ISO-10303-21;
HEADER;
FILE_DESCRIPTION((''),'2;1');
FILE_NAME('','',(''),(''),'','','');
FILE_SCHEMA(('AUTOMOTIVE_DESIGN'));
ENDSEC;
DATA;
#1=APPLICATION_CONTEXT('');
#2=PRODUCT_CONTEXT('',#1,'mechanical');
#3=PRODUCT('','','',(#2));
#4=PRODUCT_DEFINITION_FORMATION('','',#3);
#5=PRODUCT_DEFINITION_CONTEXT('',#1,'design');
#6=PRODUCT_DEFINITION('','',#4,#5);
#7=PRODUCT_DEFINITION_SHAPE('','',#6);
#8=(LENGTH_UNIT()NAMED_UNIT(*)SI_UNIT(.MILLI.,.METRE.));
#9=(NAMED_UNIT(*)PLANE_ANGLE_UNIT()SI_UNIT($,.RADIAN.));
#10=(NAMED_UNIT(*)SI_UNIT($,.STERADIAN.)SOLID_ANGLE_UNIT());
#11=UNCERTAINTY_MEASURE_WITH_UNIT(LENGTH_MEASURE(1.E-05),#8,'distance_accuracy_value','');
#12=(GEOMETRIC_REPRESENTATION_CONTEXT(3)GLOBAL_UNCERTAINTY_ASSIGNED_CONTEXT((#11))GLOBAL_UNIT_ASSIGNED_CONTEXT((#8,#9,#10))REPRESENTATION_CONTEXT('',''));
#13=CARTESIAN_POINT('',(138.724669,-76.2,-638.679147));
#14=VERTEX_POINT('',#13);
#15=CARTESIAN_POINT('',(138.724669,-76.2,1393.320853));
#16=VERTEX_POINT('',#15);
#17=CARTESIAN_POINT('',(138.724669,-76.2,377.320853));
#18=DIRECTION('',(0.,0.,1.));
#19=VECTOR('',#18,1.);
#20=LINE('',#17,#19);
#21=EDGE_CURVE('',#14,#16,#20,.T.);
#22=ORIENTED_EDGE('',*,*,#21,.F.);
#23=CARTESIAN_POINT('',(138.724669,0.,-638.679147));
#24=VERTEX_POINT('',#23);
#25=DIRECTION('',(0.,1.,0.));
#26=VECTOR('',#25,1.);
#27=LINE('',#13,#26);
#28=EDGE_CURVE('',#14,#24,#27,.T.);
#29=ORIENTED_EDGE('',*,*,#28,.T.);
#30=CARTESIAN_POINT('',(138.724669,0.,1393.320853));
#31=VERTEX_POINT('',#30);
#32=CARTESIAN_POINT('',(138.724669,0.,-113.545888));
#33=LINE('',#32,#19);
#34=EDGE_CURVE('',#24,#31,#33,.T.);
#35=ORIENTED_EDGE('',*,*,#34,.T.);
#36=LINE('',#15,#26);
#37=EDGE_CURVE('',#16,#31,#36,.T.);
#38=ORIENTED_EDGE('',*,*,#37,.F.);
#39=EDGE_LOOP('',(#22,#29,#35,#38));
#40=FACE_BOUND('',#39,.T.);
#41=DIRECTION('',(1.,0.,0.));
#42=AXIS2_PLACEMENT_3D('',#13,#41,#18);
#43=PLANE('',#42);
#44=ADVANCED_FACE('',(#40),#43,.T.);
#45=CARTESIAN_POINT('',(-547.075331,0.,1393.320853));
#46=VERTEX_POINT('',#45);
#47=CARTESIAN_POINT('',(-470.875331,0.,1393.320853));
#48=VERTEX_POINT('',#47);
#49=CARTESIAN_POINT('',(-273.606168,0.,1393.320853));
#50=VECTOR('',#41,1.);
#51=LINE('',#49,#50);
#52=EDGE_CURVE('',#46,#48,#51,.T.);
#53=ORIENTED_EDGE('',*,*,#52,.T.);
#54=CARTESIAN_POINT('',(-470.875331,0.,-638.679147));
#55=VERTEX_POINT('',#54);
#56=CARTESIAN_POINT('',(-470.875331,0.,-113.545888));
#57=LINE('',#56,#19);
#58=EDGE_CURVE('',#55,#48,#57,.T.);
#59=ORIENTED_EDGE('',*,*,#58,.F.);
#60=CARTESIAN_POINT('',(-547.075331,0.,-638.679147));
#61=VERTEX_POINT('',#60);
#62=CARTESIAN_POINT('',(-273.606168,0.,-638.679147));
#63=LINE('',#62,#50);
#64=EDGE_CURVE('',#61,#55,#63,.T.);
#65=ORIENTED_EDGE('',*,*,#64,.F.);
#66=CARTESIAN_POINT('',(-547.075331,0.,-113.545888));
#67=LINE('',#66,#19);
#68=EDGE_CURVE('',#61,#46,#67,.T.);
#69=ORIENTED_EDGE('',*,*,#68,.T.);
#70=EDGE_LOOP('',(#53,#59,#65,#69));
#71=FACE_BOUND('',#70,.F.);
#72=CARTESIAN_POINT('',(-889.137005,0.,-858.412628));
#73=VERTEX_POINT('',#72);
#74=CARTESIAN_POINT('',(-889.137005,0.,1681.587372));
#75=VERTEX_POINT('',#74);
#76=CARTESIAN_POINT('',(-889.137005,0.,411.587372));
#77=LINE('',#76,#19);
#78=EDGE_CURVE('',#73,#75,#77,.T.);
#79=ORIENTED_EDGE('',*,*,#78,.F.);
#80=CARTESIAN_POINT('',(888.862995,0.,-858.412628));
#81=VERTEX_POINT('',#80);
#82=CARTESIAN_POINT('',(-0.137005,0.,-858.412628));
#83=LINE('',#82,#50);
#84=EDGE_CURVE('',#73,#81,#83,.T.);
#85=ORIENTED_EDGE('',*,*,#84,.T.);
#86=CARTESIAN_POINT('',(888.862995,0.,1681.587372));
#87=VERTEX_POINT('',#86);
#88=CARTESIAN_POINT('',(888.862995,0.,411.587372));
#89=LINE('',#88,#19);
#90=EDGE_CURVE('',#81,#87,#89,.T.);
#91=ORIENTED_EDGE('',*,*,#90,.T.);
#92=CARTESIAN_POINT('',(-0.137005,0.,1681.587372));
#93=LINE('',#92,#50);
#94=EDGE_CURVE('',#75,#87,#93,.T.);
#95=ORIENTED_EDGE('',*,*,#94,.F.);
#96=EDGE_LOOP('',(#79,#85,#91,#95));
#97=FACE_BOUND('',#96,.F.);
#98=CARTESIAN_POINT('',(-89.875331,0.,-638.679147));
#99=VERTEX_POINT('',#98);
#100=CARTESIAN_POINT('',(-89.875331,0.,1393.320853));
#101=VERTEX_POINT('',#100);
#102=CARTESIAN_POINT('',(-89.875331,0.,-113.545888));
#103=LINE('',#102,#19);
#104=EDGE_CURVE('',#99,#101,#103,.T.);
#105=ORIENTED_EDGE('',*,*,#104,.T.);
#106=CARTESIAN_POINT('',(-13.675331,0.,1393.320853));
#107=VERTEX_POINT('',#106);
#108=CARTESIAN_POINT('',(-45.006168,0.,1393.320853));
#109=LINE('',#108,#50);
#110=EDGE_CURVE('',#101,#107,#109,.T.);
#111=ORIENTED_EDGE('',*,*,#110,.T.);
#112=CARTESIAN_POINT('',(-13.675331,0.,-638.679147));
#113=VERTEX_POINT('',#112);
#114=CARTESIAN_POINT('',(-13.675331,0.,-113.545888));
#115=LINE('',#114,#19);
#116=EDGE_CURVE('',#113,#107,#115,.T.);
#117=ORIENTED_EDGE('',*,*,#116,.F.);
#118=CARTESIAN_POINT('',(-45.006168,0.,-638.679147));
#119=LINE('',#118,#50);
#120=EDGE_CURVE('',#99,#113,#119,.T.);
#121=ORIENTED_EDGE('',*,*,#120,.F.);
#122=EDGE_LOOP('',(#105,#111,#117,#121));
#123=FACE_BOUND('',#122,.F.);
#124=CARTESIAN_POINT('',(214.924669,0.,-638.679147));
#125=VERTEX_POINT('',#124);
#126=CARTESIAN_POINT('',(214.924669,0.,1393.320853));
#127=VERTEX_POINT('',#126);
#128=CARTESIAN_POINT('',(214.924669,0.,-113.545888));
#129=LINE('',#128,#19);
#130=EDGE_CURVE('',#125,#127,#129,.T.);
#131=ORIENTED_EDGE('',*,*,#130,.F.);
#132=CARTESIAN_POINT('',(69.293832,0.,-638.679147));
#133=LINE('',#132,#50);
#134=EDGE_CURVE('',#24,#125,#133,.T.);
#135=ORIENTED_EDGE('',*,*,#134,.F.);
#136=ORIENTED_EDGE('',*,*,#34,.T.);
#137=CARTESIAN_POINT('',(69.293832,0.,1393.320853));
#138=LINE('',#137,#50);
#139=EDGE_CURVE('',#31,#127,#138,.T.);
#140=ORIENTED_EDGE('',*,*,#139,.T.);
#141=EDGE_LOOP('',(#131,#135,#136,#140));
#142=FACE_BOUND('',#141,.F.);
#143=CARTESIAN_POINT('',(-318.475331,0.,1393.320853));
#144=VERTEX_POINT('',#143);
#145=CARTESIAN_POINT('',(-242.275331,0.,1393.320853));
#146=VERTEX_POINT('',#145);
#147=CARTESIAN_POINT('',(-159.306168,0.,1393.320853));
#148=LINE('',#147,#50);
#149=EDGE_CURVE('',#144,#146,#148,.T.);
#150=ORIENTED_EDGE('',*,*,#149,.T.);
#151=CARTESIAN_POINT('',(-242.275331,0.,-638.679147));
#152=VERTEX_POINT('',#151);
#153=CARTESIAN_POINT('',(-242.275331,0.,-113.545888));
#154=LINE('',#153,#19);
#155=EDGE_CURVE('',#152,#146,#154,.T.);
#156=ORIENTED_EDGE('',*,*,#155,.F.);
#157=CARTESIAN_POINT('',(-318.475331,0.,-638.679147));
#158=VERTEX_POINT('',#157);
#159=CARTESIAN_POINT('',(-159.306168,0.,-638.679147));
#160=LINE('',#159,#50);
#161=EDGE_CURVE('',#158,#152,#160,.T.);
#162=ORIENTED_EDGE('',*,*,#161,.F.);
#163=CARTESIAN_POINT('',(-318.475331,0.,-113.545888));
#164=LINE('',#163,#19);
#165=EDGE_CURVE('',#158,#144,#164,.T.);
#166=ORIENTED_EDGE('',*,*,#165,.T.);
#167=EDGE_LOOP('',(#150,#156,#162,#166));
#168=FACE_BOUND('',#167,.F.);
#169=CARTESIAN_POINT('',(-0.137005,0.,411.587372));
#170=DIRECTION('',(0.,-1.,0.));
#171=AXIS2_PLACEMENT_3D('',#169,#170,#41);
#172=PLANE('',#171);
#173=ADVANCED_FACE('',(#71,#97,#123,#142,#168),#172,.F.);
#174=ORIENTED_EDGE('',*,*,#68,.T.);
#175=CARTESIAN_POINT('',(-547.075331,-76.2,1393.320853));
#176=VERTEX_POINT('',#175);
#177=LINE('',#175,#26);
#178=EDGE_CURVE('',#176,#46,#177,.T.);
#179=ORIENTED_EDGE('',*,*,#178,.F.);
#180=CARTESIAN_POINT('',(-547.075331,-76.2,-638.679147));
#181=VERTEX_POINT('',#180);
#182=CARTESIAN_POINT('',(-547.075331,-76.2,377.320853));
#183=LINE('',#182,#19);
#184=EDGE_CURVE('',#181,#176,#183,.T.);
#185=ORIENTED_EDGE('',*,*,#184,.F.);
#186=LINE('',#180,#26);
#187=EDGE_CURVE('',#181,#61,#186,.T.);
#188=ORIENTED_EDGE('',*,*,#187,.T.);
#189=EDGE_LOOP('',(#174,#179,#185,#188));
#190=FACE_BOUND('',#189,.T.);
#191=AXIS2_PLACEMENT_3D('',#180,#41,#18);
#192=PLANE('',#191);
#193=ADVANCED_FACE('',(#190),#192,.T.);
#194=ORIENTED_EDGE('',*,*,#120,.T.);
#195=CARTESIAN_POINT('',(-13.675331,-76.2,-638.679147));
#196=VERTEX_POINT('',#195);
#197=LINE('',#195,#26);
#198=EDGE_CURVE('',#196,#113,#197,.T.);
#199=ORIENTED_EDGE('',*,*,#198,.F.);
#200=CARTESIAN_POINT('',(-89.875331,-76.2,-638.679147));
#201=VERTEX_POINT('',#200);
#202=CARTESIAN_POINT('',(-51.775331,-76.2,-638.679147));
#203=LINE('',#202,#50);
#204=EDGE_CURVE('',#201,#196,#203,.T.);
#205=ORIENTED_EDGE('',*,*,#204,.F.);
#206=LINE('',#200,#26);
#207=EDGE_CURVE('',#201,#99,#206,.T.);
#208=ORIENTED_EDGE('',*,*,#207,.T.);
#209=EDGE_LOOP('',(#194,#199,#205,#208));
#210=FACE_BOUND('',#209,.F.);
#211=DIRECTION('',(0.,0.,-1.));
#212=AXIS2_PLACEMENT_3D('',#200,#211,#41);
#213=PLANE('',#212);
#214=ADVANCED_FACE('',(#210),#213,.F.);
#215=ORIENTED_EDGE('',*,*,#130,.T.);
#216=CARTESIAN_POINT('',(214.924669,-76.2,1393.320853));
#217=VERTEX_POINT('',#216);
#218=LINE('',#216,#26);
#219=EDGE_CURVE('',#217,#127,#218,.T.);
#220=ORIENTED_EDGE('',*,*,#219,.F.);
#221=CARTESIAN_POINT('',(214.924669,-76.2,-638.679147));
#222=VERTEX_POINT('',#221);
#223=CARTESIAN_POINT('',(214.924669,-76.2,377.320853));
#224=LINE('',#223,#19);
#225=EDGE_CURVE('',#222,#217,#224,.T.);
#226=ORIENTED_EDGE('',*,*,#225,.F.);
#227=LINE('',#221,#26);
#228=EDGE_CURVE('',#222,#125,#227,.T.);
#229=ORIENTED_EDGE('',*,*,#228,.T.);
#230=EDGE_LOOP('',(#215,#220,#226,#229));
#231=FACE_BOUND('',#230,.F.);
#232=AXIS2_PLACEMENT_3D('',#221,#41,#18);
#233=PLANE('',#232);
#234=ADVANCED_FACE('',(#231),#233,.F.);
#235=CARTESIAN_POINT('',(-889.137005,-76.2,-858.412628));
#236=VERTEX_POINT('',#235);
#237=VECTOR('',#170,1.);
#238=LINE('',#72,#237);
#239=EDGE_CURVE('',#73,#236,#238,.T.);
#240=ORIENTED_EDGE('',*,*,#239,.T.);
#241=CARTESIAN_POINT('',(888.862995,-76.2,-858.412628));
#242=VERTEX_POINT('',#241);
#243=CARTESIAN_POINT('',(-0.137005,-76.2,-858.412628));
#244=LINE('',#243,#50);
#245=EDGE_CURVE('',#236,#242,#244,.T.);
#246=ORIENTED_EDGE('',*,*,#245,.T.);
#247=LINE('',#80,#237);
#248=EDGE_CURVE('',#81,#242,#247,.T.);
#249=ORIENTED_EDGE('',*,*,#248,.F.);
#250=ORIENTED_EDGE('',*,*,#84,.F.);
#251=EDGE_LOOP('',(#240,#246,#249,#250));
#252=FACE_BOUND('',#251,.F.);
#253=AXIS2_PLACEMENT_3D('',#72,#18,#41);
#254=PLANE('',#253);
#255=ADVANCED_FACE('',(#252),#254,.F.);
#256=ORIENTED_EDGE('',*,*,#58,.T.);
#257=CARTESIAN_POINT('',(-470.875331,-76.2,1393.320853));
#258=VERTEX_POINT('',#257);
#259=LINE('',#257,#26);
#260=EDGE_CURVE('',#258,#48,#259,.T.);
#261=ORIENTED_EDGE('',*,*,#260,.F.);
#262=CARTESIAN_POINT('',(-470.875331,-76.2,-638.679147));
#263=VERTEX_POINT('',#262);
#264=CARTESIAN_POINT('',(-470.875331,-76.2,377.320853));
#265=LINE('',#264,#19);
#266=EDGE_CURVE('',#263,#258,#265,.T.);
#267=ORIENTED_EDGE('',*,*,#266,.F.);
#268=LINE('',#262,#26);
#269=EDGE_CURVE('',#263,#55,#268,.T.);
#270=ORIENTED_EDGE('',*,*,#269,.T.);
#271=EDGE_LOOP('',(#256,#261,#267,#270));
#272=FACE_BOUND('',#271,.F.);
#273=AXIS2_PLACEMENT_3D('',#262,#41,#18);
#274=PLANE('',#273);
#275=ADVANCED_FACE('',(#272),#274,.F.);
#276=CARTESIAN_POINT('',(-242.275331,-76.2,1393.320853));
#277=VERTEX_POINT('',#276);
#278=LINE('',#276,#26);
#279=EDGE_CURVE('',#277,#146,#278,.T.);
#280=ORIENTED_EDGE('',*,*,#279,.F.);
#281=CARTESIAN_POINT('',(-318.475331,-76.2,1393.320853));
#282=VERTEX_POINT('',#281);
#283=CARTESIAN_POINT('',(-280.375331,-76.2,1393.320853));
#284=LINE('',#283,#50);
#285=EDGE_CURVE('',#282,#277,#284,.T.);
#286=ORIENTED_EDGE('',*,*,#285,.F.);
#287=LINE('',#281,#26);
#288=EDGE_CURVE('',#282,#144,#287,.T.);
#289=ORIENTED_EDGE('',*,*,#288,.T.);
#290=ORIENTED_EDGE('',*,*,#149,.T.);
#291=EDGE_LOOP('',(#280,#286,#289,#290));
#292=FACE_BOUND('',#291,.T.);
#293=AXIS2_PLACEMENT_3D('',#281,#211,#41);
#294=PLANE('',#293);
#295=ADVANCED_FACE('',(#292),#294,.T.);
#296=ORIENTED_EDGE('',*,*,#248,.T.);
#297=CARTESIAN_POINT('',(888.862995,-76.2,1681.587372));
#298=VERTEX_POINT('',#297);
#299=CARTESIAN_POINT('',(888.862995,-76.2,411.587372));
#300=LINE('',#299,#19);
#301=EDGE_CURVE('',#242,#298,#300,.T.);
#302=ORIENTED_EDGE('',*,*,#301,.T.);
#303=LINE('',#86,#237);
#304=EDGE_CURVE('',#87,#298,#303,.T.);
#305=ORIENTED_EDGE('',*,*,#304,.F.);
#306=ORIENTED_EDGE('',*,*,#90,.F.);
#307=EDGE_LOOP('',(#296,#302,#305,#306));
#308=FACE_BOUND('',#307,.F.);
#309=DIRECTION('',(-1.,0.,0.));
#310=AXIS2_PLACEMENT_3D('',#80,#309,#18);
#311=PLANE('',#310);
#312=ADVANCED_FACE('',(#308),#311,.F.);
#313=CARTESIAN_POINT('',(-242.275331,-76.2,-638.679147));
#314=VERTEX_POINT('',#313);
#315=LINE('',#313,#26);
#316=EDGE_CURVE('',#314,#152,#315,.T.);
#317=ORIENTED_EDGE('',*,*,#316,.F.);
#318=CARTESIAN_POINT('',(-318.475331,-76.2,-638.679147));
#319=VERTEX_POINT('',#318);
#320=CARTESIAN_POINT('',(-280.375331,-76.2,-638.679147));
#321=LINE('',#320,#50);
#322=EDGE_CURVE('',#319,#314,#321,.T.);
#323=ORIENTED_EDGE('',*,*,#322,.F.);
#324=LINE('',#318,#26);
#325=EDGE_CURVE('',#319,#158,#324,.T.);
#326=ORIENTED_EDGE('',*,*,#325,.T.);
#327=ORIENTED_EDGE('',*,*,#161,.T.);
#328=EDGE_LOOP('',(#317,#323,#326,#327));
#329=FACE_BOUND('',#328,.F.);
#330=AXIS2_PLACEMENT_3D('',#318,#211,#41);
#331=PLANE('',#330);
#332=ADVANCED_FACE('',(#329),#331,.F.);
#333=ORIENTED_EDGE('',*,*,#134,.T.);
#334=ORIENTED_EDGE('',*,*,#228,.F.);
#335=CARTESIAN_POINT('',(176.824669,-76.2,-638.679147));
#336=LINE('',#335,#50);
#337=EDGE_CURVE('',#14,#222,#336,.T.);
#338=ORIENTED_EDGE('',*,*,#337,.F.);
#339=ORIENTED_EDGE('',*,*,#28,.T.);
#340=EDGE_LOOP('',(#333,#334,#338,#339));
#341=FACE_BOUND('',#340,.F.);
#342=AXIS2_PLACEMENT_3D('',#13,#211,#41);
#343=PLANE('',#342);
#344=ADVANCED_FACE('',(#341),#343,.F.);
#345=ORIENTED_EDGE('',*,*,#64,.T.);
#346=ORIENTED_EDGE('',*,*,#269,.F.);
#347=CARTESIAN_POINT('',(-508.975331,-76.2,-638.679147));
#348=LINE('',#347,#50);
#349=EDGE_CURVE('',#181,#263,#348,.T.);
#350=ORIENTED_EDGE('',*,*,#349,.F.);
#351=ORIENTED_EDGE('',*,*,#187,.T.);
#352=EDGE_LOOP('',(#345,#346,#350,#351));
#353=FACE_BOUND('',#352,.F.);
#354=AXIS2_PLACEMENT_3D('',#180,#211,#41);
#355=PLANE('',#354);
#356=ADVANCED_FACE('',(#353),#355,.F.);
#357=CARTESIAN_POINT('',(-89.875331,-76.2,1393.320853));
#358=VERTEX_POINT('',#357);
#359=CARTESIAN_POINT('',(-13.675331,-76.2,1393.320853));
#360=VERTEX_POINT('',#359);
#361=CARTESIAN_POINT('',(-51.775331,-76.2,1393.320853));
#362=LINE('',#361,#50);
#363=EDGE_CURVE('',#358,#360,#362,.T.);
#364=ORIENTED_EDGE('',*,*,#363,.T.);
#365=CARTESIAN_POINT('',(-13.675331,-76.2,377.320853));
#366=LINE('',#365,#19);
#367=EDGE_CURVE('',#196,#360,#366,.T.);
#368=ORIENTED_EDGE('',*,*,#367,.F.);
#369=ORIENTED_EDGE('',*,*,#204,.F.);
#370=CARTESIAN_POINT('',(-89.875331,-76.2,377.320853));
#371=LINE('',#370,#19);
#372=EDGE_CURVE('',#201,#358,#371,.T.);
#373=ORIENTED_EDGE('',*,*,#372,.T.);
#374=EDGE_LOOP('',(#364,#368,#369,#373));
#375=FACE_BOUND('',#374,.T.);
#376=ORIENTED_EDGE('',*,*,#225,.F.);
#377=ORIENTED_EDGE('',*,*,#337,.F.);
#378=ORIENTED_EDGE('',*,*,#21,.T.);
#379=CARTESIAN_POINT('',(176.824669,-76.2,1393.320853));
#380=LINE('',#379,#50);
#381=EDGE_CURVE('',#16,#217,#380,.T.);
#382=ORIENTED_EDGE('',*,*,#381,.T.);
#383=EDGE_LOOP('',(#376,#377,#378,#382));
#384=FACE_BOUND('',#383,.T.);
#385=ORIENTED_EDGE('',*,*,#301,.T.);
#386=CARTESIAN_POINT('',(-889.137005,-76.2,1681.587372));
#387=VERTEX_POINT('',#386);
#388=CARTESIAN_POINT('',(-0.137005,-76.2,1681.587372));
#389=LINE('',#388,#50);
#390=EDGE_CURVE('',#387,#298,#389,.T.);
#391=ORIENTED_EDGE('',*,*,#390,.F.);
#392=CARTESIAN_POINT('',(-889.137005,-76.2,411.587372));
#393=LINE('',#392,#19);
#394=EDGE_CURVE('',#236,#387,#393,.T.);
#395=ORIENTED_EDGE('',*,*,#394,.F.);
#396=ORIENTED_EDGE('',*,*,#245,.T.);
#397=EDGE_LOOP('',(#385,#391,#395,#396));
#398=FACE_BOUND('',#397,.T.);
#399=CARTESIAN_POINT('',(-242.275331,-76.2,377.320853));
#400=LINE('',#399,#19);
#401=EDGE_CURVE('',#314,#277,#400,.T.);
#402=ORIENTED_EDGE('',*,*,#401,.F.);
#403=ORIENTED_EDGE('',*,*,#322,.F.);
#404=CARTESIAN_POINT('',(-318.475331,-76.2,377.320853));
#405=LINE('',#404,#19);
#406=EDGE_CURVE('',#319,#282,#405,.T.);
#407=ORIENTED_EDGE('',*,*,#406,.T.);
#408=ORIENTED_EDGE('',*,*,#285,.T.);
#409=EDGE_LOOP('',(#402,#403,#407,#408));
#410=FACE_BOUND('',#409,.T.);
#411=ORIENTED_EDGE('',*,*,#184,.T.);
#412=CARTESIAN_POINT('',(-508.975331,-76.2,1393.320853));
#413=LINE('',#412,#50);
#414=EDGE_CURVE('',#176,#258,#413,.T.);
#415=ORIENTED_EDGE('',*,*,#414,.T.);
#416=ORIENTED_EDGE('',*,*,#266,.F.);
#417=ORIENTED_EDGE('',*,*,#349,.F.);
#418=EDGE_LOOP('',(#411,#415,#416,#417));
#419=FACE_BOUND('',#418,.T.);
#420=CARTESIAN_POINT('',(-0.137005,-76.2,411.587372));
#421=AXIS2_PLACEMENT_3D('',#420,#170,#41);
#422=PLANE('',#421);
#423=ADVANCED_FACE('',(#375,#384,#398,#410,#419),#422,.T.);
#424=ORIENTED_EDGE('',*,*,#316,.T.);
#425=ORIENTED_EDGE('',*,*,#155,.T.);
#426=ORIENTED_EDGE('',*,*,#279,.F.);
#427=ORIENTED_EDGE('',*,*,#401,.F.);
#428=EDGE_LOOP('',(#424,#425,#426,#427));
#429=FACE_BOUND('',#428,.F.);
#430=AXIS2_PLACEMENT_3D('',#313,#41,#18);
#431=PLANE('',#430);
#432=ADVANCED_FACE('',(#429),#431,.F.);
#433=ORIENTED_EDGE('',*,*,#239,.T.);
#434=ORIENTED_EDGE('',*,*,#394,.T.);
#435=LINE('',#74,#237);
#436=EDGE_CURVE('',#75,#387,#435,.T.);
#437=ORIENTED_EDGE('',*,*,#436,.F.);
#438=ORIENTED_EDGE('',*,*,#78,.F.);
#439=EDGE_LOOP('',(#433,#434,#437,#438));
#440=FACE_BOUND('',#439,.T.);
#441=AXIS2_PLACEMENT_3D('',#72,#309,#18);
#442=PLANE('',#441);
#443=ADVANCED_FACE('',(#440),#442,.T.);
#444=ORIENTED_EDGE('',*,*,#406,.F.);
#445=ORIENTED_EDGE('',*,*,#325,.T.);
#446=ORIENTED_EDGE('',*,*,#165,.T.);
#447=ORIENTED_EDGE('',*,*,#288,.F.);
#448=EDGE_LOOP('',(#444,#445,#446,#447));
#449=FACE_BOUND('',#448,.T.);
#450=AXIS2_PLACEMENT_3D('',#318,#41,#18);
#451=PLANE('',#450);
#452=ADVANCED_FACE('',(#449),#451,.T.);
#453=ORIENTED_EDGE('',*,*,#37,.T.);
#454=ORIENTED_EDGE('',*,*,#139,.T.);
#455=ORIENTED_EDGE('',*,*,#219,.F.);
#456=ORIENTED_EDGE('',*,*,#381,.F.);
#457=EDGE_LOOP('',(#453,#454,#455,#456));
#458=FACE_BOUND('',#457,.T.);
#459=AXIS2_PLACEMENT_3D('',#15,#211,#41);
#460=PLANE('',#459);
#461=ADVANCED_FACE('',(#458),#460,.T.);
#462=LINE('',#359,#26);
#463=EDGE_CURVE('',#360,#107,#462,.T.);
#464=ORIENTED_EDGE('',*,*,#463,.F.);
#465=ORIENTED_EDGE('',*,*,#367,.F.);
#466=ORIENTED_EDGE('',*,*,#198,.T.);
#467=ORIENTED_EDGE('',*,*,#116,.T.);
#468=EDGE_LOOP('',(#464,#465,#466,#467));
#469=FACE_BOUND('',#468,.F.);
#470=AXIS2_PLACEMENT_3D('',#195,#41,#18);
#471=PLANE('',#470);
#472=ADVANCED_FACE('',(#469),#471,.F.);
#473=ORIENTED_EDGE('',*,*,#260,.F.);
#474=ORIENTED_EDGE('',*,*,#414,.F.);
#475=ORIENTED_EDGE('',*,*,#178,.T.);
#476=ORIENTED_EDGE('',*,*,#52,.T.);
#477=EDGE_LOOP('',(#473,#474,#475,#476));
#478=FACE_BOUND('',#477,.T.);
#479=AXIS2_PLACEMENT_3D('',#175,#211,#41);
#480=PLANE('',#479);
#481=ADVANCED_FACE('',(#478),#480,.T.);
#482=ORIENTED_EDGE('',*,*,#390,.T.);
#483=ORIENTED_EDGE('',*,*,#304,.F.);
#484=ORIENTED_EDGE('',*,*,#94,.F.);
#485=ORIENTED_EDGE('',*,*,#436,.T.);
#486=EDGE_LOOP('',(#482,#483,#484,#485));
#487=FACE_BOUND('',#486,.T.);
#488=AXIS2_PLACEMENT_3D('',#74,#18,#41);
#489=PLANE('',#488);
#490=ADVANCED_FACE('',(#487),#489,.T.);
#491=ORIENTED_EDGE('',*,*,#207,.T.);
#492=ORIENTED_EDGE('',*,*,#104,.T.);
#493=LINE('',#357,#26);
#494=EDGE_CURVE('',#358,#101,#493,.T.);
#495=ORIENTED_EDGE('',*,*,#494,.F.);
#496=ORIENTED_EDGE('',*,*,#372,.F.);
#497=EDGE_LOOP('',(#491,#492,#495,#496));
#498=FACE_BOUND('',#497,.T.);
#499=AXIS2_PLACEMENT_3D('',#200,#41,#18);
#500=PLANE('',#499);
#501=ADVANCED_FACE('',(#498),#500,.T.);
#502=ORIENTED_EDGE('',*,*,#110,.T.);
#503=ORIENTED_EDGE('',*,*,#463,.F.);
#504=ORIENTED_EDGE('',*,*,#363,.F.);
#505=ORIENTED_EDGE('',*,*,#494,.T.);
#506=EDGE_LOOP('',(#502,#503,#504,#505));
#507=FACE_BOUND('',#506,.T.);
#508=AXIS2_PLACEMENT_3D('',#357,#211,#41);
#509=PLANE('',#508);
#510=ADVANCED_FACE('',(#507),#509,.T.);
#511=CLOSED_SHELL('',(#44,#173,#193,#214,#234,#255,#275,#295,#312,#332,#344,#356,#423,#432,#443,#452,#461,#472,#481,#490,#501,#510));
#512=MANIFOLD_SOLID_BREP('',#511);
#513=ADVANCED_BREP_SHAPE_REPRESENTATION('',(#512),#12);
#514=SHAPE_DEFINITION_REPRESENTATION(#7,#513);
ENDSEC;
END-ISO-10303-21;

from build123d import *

# Parameters (mm, degrees)
F0_W     = 1778
F0_H     = 2540
F1_DEPTH = 76.2
F2_W     = 76.2
F2_H     = 2032
F3_DEPTH = 76.201


with BuildPart() as f1:
    # F0 (on Front) → F1 (new body)
    with BuildSketch(Plane.XZ):
        with Locations((-0.137005, 411.587372)):
            Rectangle(F0_W, F0_H)
    extrude(amount=F1_DEPTH)

    # F2 (on face) → F3 (cut, through all)
    with BuildSketch(Plane.XZ.offset(76.2)):
        with Locations((-508.975331, 377.320853)):
            Rectangle(F2_W, F2_H)
        with Locations((-280.375331, 377.320853)):
            Rectangle(F2_W, F2_H)
        with Locations((-51.775331, 377.320853)):
            Rectangle(F2_W, F2_H)
        with Locations((176.824669, 377.320853)):
            Rectangle(F2_W, F2_H)
    extrude(amount=-F3_DEPTH, mode=Mode.SUBTRACT)


solid = f1.part
